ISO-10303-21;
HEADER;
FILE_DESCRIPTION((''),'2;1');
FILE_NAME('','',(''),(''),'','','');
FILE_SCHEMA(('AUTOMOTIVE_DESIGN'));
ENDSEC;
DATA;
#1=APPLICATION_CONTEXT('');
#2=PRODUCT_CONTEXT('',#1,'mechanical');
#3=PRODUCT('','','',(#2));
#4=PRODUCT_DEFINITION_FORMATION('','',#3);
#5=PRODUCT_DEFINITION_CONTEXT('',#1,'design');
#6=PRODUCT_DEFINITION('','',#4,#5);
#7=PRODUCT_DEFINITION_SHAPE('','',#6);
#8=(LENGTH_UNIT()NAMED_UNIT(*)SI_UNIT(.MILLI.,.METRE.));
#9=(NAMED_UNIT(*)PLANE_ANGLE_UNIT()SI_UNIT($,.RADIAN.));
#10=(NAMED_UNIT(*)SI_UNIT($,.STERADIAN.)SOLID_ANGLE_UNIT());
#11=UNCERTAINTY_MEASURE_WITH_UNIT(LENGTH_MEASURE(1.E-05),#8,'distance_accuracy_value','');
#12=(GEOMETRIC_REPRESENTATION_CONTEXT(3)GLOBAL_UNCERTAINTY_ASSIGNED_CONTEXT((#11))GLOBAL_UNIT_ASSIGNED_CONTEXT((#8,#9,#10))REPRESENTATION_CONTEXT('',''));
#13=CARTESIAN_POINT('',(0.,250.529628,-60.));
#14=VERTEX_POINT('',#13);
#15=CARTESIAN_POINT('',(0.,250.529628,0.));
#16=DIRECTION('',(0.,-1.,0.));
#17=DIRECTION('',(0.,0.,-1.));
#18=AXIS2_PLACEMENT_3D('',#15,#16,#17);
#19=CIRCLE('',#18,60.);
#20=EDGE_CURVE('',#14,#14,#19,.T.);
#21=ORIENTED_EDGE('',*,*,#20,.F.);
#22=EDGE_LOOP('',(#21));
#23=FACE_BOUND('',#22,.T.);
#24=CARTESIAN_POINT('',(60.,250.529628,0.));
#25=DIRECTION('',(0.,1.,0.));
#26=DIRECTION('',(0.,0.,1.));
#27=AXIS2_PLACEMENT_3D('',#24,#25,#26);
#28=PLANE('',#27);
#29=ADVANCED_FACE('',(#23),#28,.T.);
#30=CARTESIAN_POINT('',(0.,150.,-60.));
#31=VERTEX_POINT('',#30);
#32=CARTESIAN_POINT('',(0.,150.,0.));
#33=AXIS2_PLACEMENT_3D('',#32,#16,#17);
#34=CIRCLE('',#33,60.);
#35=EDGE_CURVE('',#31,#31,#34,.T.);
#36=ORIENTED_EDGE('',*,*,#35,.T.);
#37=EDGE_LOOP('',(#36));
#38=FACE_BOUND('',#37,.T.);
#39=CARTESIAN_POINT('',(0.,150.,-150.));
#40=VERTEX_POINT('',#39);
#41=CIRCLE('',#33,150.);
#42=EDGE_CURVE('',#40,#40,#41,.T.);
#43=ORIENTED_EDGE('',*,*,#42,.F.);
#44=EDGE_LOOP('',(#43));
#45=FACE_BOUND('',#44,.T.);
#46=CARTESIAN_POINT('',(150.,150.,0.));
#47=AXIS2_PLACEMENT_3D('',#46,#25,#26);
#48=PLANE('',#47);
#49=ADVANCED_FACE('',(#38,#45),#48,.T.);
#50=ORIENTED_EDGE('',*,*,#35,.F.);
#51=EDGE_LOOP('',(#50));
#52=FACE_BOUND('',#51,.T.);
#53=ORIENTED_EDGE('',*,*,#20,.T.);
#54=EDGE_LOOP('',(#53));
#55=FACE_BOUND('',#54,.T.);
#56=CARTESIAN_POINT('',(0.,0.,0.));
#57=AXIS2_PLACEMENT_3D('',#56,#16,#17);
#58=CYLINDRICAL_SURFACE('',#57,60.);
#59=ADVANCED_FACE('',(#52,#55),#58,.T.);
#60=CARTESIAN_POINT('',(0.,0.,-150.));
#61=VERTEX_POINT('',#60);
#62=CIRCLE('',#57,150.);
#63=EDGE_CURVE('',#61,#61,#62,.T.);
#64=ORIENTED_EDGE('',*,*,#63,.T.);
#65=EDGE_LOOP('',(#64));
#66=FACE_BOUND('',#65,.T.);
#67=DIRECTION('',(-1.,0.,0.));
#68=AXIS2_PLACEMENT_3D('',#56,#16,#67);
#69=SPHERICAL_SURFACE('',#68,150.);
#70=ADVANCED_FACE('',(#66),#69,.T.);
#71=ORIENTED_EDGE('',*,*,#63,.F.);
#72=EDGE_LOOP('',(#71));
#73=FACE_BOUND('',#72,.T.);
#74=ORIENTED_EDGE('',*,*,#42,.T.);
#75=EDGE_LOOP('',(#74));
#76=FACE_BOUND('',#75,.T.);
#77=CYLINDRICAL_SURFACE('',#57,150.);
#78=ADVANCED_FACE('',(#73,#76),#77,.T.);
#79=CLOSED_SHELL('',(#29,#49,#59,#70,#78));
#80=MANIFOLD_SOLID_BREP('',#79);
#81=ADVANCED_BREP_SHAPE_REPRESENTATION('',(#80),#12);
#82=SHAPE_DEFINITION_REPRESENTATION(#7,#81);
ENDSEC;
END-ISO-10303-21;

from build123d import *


with BuildPart() as part:
    # Sketch1 → Revolve1 (revolve)
    with BuildSketch(Plane.XY, mode=Mode.PRIVATE) as revolve1_sk:
        with BuildLine():
            Line((150, 0), (150, 150))
            Line((150, 150), (60, 150))
            Line((60, 150), (60, 250.529628205))
            Line((60, 250.529628205), (0, 250.529628205))
            Line((0, 250.529628205), (0, -150))
            ThreePointArc((0, -150), (106.066017178, -106.066017178), (150, 0))
        make_face()
    revolve(revolve1_sk.sketch.rotate(Axis((0, 0, 0), (0, 1, 0)), 90), axis=Axis((0, 0, 0), (0, 1, 0)))  # turned: the seam where the file's is


solid = part.part
